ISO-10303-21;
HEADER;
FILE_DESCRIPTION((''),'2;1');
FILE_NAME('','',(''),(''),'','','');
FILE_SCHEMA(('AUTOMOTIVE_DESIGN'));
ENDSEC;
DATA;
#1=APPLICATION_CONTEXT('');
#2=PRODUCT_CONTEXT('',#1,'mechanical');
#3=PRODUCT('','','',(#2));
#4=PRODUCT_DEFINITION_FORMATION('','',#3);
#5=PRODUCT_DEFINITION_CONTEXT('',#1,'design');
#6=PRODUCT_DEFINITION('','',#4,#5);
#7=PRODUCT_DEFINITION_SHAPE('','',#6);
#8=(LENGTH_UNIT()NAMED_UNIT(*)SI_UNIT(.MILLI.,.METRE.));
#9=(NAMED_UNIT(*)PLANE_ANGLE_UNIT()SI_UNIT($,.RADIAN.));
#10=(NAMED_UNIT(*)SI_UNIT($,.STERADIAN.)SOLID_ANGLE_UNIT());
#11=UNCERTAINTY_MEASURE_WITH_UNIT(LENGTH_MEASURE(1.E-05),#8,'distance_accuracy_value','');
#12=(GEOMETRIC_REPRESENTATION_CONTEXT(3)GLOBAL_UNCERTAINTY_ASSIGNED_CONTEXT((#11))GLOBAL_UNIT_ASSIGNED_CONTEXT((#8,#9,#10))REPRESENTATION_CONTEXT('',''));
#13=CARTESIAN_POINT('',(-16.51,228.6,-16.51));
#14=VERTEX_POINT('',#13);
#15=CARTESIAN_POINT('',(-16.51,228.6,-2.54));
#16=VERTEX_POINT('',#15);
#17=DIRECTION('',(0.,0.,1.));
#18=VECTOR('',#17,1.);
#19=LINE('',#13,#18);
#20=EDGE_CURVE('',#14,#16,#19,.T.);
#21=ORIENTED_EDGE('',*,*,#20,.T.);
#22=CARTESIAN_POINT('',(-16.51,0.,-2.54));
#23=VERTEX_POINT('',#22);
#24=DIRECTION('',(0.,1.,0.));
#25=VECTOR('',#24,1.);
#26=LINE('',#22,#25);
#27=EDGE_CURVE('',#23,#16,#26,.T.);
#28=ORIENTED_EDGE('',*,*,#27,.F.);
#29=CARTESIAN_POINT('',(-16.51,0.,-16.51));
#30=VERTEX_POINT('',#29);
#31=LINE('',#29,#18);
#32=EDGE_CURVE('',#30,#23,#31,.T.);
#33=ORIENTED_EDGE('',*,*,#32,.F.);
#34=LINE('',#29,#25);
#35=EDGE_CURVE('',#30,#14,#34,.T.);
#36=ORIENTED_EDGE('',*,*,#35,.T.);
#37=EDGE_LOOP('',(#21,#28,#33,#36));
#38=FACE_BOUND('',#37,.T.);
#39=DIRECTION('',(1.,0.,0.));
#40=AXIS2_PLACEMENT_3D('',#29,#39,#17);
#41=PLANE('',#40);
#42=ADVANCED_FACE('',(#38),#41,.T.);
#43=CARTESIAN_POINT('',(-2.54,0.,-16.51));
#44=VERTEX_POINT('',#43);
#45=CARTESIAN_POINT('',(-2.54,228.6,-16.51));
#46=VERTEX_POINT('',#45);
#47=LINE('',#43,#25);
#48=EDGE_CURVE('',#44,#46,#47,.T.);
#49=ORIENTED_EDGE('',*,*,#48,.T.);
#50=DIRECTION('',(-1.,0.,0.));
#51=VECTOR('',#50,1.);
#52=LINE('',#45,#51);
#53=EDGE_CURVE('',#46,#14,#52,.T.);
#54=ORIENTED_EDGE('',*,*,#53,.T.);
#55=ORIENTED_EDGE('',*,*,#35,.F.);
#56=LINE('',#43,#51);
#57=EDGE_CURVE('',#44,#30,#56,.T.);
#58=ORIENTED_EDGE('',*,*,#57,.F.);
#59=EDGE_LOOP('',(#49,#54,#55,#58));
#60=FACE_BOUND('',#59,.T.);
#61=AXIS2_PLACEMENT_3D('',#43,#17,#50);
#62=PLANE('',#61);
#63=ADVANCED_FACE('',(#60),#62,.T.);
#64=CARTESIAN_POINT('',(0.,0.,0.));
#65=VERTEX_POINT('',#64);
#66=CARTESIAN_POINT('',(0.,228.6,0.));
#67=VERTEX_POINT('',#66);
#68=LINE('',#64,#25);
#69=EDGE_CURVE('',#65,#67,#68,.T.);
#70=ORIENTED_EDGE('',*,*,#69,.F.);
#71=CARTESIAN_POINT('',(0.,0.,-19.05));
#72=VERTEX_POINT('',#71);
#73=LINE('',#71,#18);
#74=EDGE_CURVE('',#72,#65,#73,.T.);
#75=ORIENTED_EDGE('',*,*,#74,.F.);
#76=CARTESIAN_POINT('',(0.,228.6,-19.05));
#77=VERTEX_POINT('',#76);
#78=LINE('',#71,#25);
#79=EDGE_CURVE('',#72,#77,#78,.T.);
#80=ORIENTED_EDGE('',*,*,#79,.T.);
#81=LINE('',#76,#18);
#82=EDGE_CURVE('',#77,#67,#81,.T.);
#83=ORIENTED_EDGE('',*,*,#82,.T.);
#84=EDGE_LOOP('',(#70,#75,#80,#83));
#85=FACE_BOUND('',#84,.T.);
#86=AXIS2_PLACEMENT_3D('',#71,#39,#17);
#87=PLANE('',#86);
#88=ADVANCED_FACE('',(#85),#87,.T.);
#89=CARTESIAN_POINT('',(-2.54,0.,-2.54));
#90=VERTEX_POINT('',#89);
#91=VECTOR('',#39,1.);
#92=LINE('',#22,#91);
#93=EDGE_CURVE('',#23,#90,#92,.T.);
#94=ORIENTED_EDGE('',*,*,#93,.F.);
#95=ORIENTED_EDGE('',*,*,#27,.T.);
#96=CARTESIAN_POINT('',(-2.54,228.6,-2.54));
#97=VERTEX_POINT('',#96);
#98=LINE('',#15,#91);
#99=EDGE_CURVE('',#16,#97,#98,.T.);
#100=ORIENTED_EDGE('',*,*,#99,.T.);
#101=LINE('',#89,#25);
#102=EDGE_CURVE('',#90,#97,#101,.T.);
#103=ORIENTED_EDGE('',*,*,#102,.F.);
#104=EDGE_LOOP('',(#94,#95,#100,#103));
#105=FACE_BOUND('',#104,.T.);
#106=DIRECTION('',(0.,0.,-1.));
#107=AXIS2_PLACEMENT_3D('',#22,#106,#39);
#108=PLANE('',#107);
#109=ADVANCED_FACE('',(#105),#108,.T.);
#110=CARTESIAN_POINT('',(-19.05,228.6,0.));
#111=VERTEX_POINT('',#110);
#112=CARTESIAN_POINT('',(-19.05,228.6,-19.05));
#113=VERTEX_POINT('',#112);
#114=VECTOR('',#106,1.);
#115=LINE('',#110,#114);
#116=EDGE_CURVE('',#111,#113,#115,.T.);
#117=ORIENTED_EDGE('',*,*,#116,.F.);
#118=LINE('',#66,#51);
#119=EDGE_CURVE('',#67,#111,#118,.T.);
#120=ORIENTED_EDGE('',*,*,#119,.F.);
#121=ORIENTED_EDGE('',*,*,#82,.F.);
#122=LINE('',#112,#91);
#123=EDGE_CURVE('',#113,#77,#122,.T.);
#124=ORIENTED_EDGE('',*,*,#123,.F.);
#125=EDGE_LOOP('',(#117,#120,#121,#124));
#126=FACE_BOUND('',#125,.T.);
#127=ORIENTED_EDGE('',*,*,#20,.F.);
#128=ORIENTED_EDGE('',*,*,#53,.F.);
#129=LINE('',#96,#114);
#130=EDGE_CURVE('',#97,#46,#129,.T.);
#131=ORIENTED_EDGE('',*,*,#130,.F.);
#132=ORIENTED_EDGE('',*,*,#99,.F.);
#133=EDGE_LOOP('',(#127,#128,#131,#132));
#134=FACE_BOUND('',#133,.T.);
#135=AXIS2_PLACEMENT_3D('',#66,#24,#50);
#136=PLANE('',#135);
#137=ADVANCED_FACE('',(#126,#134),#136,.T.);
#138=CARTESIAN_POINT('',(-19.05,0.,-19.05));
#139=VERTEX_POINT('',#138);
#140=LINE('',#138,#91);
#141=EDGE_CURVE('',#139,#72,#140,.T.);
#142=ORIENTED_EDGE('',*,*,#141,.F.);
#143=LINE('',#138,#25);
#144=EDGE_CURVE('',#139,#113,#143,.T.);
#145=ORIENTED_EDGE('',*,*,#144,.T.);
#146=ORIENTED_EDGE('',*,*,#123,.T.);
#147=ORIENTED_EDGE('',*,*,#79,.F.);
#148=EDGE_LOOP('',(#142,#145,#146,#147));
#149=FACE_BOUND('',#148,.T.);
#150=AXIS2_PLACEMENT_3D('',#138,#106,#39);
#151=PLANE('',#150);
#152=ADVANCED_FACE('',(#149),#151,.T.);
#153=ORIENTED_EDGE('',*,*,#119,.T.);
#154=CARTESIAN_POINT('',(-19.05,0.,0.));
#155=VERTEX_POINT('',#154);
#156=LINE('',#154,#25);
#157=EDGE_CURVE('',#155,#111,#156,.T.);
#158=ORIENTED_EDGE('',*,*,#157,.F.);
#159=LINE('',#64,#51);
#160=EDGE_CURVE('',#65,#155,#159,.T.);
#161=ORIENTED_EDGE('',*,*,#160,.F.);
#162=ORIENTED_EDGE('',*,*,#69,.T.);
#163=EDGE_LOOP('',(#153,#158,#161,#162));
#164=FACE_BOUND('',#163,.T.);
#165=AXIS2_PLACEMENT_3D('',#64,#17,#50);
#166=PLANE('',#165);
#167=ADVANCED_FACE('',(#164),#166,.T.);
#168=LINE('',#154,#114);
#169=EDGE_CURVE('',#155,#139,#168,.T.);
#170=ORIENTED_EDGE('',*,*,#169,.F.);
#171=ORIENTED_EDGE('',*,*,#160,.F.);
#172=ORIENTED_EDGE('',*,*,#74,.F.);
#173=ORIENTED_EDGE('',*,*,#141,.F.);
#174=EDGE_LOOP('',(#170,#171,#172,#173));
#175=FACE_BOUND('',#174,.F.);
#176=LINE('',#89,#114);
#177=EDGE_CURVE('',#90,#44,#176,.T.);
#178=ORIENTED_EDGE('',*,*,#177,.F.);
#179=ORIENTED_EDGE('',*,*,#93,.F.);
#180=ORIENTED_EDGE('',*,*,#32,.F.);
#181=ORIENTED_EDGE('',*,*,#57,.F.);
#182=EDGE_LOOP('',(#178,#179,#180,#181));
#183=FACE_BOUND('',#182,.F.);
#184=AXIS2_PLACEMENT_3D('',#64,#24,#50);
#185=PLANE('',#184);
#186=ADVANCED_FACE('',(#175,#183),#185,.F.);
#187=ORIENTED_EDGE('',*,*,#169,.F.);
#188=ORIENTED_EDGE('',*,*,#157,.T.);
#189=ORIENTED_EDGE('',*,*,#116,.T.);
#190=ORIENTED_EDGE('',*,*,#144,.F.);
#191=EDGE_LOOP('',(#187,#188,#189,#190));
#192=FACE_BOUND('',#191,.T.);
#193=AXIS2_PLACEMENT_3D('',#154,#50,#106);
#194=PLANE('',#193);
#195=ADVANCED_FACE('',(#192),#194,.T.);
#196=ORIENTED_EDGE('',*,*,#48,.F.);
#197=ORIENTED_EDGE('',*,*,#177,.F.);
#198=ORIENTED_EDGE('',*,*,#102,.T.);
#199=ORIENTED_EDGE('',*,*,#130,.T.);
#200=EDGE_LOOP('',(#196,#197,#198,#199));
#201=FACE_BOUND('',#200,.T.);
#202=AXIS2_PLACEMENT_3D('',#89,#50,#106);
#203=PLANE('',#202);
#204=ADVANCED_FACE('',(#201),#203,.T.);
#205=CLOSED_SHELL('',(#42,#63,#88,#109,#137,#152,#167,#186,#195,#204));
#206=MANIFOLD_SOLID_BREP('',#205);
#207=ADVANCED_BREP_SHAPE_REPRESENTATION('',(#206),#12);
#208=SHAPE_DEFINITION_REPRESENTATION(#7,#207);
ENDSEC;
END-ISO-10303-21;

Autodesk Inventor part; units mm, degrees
ref_plane "YZ Plane" through (0, 0, 0) normal (1, 0, 0) x (0, 1, 0)
ref_plane "XZ Plane" through (0, 0, 0) normal (0, 1, 0) x (-1, 0, 0)
ref_plane "XY Plane" through (0, 0, 0) normal (0, 0, 1) x (1, 0, 0)
sketch "Sketch1" plane through (0, 0, 0) normal (0, 1, 0) x (-1, 0, 0)
  line L0 (0, 0) -> (19.05, 0)
  line L1 (19.05, 0) -> (19.05, -19.05)
  line L2 (19.05, -19.05) -> (0, -19.05)
  line L3 (0, -19.05) -> (0, 0)
  line L4 (16.51, -16.51) -> (16.51, -2.54)
  line L5 (16.51, -2.54) -> (2.54, -2.54)
  line L6 (2.54, -2.54) -> (2.54, -16.51)
  line L7 (2.54, -16.51) -> (16.51, -16.51)
  dimension "d0" = 19.05
  dimension "d1" = 19.05
  dimension "d2" = 2.54
extrude "Extrusion1" add sketch "Sketch1" along normal blind 228.6
properties part number "Aluminum channel"
